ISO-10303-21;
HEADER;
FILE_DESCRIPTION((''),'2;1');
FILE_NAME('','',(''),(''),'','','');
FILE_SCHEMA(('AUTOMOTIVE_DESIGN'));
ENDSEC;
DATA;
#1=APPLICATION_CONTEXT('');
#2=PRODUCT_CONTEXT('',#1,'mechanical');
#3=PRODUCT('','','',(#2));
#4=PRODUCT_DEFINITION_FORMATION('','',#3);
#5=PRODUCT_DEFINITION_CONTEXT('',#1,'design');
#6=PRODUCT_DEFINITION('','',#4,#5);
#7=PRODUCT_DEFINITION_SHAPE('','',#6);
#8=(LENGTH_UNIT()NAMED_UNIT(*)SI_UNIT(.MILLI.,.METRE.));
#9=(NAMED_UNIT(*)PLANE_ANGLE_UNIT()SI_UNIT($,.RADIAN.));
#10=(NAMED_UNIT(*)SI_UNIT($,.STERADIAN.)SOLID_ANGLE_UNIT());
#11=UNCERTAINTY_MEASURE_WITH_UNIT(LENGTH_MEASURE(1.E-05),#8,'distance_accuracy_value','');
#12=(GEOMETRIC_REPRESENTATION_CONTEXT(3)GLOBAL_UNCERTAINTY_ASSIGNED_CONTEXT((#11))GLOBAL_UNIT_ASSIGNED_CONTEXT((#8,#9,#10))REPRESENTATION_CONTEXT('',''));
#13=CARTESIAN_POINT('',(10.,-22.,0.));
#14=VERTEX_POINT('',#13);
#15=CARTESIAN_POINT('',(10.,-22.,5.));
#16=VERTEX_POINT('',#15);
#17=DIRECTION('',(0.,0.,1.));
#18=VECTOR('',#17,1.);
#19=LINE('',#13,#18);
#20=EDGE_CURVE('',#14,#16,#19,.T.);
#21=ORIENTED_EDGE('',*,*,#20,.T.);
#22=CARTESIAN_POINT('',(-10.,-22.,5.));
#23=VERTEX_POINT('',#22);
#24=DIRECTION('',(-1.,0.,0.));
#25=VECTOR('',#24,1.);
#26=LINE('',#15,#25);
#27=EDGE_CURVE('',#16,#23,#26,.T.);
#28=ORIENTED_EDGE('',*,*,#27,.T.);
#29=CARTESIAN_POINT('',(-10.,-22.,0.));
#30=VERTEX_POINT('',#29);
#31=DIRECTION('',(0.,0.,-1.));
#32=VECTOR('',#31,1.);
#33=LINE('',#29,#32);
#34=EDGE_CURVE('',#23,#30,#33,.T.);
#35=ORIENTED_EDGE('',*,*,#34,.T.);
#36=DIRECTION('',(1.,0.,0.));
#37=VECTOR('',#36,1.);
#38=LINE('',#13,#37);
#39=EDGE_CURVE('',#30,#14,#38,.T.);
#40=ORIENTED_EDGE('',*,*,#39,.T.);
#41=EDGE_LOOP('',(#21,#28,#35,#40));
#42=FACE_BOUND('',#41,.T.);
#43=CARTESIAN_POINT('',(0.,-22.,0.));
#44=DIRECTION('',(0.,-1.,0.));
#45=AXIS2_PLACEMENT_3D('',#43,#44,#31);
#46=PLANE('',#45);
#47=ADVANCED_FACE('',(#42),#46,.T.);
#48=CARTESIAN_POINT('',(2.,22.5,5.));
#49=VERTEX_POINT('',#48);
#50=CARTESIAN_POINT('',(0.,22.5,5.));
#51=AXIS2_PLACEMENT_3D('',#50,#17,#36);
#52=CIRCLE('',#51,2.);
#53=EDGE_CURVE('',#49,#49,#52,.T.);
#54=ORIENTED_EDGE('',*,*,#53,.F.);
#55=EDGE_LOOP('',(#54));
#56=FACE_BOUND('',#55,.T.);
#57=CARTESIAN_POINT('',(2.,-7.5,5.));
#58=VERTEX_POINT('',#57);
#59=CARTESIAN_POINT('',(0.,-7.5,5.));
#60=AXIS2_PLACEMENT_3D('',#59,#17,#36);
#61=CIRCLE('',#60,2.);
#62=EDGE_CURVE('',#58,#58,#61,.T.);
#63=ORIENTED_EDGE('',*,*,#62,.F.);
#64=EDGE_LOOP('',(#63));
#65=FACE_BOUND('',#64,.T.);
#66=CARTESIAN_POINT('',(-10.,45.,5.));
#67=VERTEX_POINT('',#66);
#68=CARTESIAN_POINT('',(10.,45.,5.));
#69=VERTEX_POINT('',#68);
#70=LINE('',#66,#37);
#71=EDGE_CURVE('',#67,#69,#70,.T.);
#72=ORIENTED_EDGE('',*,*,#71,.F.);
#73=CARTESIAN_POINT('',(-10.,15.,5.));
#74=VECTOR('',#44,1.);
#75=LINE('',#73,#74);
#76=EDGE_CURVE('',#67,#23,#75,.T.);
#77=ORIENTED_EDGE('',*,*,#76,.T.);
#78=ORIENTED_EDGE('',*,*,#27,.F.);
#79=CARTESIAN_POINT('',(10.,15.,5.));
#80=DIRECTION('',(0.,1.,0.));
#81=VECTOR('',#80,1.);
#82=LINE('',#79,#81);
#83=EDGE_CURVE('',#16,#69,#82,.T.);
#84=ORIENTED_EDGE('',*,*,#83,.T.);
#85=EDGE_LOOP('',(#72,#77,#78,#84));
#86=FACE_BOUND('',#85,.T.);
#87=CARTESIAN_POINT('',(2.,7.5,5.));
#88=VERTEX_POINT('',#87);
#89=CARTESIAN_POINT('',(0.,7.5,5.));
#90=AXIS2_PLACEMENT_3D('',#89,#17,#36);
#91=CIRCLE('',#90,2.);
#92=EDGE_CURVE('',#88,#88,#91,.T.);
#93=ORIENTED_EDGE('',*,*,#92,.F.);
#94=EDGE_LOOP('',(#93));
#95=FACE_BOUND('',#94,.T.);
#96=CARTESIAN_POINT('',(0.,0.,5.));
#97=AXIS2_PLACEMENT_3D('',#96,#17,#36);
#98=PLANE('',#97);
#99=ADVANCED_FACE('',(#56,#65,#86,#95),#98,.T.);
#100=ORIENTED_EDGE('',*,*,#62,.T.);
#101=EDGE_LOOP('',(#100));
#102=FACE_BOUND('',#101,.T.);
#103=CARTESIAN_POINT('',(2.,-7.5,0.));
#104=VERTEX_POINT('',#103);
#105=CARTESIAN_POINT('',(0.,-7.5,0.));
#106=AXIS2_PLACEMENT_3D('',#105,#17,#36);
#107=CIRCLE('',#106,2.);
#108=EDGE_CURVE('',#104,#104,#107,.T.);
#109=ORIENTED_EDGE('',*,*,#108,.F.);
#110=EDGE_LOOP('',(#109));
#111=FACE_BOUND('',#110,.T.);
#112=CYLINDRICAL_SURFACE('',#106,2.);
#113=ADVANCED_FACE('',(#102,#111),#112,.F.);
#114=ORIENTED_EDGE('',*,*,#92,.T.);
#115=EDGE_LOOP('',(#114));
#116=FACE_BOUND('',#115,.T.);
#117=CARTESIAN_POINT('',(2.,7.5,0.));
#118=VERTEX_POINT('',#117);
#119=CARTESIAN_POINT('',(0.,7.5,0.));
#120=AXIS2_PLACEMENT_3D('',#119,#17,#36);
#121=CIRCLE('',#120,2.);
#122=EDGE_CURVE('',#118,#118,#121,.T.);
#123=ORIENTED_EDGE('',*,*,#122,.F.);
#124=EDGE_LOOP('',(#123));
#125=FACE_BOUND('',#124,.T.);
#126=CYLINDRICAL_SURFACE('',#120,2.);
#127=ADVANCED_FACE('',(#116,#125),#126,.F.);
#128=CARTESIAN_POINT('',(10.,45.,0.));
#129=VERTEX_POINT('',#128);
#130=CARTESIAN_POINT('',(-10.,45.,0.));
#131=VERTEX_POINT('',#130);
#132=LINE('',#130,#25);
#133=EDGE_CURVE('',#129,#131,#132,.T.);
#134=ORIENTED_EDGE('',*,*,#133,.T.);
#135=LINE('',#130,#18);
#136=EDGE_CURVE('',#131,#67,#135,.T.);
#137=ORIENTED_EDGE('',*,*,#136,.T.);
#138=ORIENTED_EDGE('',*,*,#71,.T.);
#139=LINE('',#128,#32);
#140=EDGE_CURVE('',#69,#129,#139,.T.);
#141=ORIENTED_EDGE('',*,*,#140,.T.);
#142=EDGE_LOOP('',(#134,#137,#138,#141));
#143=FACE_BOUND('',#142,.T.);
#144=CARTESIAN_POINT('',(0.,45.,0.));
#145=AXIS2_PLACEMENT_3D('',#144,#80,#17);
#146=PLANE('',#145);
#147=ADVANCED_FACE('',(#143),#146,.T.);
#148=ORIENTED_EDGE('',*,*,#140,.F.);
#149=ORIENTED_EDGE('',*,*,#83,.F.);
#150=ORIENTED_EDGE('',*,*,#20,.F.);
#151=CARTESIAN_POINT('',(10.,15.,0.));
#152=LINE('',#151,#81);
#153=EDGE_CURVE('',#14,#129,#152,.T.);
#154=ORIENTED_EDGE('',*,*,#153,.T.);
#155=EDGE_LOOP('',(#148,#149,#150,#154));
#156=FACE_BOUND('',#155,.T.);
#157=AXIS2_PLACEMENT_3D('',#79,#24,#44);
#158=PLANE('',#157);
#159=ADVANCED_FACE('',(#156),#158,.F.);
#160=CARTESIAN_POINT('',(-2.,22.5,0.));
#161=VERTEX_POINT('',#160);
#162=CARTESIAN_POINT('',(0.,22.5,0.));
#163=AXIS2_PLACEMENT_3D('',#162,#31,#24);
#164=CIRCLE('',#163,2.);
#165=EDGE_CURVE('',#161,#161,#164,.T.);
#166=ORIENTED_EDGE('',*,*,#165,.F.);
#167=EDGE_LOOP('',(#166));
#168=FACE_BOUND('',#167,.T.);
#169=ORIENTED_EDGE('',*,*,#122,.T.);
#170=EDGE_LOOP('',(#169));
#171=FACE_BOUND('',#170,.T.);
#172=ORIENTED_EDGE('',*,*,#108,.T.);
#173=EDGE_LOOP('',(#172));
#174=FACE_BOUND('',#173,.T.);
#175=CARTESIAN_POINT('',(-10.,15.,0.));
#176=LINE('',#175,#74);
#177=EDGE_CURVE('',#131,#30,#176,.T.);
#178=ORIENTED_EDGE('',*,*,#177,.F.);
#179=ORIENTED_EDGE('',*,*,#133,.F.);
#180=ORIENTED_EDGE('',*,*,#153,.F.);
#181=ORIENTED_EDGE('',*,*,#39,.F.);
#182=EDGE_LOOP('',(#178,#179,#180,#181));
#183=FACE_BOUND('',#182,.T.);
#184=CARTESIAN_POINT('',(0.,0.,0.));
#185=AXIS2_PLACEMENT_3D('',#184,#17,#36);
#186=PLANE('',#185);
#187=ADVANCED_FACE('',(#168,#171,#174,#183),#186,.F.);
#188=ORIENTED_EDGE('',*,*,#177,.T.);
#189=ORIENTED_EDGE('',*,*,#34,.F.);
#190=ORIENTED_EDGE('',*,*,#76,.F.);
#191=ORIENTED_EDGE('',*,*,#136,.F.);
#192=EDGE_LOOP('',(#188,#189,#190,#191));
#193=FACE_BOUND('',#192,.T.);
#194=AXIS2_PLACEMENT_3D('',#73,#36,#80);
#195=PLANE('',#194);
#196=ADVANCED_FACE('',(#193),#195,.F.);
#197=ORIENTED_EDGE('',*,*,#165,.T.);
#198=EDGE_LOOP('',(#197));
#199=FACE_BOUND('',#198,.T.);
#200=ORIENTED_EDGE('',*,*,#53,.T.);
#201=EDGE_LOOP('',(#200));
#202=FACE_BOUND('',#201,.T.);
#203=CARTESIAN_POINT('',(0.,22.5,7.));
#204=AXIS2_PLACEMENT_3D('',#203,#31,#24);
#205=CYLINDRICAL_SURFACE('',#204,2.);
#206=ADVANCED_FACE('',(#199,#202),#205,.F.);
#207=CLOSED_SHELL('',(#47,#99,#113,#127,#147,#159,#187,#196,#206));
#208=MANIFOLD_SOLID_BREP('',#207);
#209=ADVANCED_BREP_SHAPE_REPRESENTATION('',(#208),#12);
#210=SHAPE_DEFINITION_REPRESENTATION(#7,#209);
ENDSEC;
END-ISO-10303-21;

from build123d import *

# Parameters (mm, degrees)
SKETCH1_W           = 20
SKETCH1_H           = 30
BOSS_EXTRUDE1_DEPTH = 5
SKETCH2_R           = 2
CUT_EXTRUDE1_DEPTH  = 5
SKETCH3_W           = 20
SKETCH3_H           = 5
BOSS_EXTRUDE2_DEPTH = 7
SKETCH4_W           = 20
SKETCH4_H           = 5
BOSS_EXTRUDE3_DEPTH = 30
SKETCH5_R           = 2
CUT_EXTRUDE2_DEPTH  = 7


with BuildPart() as part:
    # Sketch1 → Boss-Extrude1 (new body)
    with BuildSketch(Plane.XY):
        Rectangle(SKETCH1_W, SKETCH1_H)
    extrude(amount=BOSS_EXTRUDE1_DEPTH)

    # Sketch2 → Cut-Extrude1 (cut)
    with BuildSketch(Plane.XY.offset(5)):
        with Locations((0, 7.5)):
            Circle(SKETCH2_R)
        with Locations((0, -7.5)):
            Circle(SKETCH2_R)
    extrude(amount=-CUT_EXTRUDE1_DEPTH, mode=Mode.SUBTRACT)

    # Sketch3 → Boss-Extrude2 (add)
    with BuildSketch(Plane.XZ.offset(15)):
        with Locations((0, 2.5)):
            Rectangle(SKETCH3_W, SKETCH3_H)
    extrude(amount=BOSS_EXTRUDE2_DEPTH)

    # Sketch4 → Boss-Extrude3 (add)
    with BuildSketch(Plane(origin=(0, 15, 0), x_dir=(1, 0, 0), z_dir=(0, 1, 0))):
        with Locations((0, -2.5)):
            Rectangle(SKETCH4_W, SKETCH4_H)
    extrude(amount=BOSS_EXTRUDE3_DEPTH)

    # Sketch5 → Cut-Extrude2 (cut)
    with BuildSketch(Plane(origin=(0, 0, 0), x_dir=(-1, 0, 0), z_dir=(0, 0, -1))):
        with Locations((0, 22.5)):
            Circle(SKETCH5_R)
    extrude(amount=-CUT_EXTRUDE2_DEPTH, mode=Mode.SUBTRACT)


solid = part.part
